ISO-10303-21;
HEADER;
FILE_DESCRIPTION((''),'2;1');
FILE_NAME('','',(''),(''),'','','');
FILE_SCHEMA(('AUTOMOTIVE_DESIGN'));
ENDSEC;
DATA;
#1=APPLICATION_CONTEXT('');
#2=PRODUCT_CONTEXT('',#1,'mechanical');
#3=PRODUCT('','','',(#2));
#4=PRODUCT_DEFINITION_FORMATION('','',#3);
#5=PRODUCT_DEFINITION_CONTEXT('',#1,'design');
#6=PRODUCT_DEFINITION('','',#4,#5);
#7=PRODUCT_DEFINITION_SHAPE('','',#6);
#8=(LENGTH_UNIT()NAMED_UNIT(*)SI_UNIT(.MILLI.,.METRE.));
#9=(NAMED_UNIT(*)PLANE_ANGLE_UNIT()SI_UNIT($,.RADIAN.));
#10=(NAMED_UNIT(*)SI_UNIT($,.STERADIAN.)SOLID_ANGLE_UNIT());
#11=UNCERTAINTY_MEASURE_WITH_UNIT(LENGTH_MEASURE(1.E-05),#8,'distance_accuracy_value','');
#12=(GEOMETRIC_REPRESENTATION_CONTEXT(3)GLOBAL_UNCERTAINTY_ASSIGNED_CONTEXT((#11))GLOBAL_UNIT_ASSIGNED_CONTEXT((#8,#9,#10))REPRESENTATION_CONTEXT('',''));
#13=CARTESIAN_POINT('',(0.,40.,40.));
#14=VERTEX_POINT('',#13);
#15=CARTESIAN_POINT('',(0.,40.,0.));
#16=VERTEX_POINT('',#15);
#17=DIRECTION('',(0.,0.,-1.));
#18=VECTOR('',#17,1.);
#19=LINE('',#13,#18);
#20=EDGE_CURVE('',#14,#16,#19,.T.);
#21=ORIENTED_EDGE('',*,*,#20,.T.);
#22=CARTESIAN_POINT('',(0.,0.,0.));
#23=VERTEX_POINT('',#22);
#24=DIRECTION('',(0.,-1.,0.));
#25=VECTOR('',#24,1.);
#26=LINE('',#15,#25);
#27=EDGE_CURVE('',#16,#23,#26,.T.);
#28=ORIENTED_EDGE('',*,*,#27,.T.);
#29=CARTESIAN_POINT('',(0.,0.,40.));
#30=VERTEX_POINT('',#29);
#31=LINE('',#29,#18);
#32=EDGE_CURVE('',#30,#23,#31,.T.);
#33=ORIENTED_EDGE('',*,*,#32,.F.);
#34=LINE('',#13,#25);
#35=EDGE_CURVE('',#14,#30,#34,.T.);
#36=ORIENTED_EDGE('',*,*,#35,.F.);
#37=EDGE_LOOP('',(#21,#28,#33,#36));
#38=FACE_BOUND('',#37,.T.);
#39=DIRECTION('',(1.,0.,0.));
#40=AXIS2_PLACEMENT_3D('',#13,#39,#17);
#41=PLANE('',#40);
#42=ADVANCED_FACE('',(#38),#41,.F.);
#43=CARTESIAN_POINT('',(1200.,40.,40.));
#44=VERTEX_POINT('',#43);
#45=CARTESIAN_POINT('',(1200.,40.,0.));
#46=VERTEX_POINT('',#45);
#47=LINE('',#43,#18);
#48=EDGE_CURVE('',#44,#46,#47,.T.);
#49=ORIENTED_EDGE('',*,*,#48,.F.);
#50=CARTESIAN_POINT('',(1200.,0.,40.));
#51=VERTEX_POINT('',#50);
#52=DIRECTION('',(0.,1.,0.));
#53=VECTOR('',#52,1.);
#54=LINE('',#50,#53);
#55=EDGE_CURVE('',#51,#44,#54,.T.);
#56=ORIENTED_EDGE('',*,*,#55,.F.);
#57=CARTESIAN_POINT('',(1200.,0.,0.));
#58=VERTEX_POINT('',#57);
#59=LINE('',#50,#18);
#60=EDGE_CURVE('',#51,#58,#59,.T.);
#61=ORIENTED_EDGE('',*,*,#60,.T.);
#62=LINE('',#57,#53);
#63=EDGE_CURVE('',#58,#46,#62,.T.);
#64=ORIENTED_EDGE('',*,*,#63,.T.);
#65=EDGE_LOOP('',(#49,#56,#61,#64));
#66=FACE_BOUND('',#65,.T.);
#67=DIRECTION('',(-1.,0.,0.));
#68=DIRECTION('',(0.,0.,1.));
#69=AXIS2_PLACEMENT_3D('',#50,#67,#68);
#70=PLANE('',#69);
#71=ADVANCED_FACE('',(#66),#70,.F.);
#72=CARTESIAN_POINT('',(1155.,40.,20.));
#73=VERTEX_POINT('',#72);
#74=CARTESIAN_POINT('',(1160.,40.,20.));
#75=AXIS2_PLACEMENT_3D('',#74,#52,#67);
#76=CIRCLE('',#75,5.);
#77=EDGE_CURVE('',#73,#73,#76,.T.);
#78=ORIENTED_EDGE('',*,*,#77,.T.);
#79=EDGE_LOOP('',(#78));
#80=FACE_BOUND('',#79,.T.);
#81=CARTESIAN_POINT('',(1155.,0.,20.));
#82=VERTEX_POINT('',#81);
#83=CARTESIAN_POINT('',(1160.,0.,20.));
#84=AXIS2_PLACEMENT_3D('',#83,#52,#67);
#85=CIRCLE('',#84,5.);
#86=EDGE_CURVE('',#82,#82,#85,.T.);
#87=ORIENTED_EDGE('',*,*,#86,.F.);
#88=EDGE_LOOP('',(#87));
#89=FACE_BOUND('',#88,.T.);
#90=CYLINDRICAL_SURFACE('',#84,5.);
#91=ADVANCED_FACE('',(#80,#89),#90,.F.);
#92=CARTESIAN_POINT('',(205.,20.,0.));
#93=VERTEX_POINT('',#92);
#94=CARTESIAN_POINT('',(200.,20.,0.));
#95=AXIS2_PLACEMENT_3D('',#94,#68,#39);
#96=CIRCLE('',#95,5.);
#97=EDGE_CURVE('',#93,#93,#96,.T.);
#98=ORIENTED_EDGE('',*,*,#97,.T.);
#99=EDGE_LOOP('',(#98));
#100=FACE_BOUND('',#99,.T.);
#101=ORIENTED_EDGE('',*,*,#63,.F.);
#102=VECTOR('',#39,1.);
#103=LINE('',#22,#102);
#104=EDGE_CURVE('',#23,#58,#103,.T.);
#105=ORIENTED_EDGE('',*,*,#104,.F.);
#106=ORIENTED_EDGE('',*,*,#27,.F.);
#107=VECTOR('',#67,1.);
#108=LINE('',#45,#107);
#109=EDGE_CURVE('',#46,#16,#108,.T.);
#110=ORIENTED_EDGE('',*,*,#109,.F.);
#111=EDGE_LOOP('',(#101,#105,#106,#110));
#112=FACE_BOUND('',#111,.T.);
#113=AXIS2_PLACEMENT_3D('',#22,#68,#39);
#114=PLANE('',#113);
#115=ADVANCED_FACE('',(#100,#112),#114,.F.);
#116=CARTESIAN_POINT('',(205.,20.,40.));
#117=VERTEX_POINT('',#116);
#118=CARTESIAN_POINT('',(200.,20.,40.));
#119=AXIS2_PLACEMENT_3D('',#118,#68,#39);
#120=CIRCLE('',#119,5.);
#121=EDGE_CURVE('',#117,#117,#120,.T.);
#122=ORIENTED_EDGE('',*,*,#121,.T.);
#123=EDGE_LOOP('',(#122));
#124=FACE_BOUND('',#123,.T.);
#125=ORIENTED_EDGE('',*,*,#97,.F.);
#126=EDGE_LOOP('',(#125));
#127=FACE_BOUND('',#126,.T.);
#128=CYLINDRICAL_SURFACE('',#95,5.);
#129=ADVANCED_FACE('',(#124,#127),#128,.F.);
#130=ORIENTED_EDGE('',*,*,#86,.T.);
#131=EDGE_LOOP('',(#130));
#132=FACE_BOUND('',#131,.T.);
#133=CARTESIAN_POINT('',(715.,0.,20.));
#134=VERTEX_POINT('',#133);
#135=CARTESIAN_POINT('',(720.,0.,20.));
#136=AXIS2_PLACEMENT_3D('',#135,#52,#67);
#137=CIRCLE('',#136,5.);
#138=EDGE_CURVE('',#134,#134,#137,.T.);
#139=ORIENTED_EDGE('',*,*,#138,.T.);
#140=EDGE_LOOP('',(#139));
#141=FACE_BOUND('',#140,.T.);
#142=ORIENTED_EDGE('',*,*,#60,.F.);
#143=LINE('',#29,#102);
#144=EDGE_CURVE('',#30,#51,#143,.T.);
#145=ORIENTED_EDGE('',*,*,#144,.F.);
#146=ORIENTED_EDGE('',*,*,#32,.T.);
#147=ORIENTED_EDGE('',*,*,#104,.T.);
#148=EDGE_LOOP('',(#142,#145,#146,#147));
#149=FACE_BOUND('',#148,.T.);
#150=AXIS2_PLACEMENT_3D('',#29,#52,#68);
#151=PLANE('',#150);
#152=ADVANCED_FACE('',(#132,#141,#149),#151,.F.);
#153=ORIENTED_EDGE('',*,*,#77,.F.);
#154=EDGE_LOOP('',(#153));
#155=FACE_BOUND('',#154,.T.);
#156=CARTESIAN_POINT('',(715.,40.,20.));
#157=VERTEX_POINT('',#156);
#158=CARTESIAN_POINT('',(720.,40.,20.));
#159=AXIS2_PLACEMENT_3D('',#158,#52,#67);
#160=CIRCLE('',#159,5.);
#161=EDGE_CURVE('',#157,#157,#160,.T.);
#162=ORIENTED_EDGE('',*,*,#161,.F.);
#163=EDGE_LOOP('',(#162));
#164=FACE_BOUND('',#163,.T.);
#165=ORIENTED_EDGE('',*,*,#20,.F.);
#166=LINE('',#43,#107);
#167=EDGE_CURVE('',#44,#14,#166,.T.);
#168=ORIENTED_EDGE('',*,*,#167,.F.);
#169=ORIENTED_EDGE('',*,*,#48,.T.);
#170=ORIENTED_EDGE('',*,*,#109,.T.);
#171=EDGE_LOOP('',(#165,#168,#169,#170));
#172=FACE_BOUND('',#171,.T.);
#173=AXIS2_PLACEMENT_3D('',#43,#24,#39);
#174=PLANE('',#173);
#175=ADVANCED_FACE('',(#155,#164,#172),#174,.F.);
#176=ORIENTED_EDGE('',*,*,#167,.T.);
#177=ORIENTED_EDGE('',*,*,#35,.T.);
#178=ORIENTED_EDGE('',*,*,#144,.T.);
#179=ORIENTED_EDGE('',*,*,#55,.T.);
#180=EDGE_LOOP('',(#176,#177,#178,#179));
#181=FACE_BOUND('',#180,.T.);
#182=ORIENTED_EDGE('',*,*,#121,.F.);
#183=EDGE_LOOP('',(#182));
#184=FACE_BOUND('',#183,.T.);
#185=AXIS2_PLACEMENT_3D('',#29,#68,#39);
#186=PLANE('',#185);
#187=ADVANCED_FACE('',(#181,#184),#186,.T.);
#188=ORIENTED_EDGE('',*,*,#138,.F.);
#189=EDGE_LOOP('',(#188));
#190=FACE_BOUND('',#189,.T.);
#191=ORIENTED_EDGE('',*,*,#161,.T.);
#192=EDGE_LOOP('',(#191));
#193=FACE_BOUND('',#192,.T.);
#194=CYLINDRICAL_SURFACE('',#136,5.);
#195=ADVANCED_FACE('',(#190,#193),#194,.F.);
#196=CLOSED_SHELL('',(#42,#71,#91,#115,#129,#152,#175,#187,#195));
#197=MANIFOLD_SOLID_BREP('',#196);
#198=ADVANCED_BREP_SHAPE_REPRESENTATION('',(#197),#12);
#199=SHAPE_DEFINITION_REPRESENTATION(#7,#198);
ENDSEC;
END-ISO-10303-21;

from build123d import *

# Parameters (mm, degrees)
SCHIZZO1_W                   = 1200
SCHIZZO1_H                   = 40
ESTRUSIONE_ESTRUSIONE1_DEPTH = 40
SCHIZZO2_R                   = 5
TAGLIO_ESTRUSIONE1_DEPTH     = 1202.332593414
SCHIZZO3_R                   = 5
TAGLIO_ESTRUSIONE2_DEPTH     = 1202.332593414


with BuildPart() as part:
    # Schizzo1 → Estrusione-Estrusione1 (new body)
    with BuildSketch(Plane.XY):
        with Locations((600, 20)):
            Rectangle(SCHIZZO1_W, SCHIZZO1_H)
    extrude(amount=ESTRUSIONE_ESTRUSIONE1_DEPTH)

    # Schizzo2 → Taglio-Estrusione1 (cut, through all)
    with BuildSketch(Plane.XY.offset(40)):
        with Locations((200, 20)):
            Circle(SCHIZZO2_R)
    extrude(amount=-TAGLIO_ESTRUSIONE1_DEPTH, mode=Mode.SUBTRACT)

    # Schizzo3 → Taglio-Estrusione2 (cut, through all)
    with BuildSketch(Plane(origin=(0, 40, 0), x_dir=(1, 0, 0), z_dir=(0, 1, 0))):
        with Locations(Location((1160, -20, 0), (0, 0, 180))):
            Circle(SCHIZZO3_R)
        with Locations(Location((720, -20, 0), (0, 0, 180))):
            Circle(SCHIZZO3_R)
    extrude(amount=-TAGLIO_ESTRUSIONE2_DEPTH, mode=Mode.SUBTRACT)


solid = part.part
